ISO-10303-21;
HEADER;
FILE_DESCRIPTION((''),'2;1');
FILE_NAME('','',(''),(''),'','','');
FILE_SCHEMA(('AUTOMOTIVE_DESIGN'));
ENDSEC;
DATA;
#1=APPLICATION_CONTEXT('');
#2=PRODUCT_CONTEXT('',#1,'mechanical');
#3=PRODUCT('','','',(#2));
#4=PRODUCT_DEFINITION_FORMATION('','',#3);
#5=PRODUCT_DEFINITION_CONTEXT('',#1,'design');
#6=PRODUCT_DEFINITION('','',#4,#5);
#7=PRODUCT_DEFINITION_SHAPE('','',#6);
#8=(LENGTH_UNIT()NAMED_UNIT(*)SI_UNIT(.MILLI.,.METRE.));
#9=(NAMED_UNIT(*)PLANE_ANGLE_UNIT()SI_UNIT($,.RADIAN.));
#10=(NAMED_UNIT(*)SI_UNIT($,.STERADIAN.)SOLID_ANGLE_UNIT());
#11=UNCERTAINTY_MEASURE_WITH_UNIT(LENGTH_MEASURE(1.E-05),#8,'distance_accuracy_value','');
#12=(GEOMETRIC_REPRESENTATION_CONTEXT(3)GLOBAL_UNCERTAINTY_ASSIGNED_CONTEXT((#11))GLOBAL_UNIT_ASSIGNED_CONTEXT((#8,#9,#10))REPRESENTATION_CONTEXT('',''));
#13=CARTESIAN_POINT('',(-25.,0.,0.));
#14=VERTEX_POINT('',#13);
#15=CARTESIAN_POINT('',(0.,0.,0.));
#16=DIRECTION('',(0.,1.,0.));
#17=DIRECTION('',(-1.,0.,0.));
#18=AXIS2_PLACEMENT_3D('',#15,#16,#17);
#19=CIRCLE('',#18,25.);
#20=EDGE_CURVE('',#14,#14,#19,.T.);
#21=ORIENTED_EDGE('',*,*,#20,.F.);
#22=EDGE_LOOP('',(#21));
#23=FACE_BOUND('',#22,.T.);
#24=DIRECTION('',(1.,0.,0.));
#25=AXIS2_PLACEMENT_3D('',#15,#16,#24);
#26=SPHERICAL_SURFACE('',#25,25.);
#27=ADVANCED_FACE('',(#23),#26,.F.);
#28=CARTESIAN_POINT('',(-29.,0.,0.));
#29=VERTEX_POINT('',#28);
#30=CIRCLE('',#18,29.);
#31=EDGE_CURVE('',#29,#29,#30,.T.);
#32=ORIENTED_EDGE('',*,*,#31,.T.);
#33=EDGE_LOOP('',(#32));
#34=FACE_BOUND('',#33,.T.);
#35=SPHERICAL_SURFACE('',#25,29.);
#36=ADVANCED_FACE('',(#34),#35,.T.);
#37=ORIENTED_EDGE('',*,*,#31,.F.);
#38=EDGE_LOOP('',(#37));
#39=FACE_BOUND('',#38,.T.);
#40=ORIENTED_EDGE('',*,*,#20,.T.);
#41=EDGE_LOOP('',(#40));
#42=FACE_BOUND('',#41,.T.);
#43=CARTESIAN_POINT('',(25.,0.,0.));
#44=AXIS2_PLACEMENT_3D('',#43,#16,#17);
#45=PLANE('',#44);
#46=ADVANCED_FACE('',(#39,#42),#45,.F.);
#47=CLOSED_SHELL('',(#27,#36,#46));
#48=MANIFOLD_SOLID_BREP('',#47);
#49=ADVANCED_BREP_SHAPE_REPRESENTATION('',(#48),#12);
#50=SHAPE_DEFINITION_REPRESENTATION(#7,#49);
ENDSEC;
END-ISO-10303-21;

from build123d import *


with BuildPart() as part:
    # Sketch1 → Revolve1 (revolve)
    with BuildSketch(Plane.XY):
        with BuildLine():
            Line((0, 29), (0, 25))
            ThreePointArc((0, 25), (17.67766953, 17.67766953), (25, 0))
            Line((25, 0), (29, 0))
            ThreePointArc((29, 0), (20.506096654, 20.506096654), (0, 29))
        make_face()
    revolve(axis=Axis((0, 29.462489614, 0), (0, -1, 0)))


solid = part.part
